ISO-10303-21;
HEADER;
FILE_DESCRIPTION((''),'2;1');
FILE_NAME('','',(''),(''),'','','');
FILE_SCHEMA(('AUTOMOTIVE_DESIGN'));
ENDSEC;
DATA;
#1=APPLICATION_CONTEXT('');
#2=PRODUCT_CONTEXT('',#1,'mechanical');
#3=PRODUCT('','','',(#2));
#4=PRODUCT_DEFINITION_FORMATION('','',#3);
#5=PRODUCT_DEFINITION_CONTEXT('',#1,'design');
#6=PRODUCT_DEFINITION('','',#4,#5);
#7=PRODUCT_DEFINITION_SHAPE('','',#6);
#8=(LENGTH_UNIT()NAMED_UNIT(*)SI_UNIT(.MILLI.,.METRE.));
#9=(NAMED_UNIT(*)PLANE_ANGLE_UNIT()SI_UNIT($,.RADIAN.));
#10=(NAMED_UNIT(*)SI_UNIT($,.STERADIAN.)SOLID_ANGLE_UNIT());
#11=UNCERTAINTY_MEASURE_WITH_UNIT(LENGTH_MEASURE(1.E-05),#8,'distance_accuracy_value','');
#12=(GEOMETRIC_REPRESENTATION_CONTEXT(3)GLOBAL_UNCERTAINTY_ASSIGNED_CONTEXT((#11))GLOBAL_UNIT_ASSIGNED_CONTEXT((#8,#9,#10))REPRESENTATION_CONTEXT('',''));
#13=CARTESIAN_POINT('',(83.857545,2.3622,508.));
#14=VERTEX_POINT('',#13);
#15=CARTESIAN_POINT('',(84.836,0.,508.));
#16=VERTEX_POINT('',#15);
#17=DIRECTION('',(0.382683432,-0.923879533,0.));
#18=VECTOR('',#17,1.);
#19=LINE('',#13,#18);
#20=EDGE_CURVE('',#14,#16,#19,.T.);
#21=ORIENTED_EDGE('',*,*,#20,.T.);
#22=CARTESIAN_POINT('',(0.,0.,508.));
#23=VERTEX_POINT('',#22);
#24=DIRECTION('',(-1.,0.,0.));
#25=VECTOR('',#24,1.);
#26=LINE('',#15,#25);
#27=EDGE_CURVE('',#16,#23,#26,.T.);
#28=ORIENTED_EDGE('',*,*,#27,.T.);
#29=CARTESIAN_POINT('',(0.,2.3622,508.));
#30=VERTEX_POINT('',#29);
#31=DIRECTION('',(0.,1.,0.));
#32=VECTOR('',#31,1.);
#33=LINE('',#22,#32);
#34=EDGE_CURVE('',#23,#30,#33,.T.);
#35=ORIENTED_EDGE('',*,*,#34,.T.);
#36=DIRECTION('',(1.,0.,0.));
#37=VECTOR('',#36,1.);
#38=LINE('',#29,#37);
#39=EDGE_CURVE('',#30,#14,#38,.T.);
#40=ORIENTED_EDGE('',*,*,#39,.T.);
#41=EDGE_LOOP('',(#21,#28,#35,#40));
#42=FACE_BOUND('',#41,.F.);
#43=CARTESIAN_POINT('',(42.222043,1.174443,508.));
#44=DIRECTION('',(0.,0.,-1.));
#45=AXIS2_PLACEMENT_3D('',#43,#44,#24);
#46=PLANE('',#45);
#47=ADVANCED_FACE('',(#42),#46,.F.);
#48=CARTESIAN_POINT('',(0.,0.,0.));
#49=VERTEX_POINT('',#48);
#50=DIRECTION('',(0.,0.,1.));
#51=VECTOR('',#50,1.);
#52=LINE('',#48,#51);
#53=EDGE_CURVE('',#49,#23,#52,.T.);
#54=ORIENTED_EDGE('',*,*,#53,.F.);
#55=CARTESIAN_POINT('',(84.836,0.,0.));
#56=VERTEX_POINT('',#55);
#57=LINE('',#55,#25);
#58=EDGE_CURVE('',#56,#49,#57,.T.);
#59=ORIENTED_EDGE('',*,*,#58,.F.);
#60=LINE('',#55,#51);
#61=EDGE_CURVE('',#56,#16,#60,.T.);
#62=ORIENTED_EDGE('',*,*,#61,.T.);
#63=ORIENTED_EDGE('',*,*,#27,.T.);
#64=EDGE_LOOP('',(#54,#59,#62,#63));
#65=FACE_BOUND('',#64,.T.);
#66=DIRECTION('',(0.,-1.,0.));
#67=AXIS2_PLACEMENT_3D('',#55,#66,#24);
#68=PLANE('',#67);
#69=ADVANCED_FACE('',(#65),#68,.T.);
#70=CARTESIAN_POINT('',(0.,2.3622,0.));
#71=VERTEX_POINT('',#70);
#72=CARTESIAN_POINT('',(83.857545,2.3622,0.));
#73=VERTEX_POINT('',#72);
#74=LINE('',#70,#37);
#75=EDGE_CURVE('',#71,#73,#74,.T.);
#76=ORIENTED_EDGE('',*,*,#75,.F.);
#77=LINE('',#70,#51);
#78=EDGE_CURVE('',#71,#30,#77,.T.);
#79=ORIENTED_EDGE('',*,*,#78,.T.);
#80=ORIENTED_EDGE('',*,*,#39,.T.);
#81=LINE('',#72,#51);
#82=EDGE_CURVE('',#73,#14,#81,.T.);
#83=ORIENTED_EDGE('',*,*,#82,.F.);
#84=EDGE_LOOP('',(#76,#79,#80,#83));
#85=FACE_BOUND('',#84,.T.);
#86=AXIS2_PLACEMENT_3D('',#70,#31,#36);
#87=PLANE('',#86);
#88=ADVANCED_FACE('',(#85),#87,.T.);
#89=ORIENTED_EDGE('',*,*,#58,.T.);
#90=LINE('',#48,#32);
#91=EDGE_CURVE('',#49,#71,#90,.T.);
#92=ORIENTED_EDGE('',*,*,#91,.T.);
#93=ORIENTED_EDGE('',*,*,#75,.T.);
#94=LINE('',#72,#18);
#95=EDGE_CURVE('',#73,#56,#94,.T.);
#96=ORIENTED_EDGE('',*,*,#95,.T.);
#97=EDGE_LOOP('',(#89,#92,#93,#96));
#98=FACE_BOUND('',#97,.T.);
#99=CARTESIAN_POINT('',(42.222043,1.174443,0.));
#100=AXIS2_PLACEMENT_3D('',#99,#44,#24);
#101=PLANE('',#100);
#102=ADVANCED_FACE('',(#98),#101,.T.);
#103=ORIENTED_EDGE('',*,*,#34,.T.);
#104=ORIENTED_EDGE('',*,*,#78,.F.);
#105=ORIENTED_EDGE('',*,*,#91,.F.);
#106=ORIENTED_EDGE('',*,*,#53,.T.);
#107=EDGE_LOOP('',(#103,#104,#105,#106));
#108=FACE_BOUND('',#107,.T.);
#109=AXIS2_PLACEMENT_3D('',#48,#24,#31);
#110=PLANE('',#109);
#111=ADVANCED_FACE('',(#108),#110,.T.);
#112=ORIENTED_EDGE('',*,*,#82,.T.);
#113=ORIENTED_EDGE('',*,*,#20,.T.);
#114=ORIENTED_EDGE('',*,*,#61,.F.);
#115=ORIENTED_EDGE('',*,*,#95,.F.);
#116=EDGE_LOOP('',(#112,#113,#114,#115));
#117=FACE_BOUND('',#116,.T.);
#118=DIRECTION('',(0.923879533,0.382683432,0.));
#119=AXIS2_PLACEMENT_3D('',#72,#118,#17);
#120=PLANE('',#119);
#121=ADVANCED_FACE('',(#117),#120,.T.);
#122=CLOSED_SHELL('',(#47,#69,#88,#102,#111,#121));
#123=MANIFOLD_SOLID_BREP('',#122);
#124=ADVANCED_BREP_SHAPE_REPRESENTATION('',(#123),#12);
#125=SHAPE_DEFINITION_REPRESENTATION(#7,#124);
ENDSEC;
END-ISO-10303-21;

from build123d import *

# Parameters (mm, degrees)
BOSS_EXTRUDE1_DEPTH = 508


with BuildPart() as part:
    # Sketch1 → Boss-Extrude1 (new body)
    with BuildSketch(Plane.XY):
        Polygon((0, 0), (0, 2.3622), (83.857544723, 2.3622), (84.836, 0), align=None)
    extrude(amount=BOSS_EXTRUDE1_DEPTH)


solid = part.part
